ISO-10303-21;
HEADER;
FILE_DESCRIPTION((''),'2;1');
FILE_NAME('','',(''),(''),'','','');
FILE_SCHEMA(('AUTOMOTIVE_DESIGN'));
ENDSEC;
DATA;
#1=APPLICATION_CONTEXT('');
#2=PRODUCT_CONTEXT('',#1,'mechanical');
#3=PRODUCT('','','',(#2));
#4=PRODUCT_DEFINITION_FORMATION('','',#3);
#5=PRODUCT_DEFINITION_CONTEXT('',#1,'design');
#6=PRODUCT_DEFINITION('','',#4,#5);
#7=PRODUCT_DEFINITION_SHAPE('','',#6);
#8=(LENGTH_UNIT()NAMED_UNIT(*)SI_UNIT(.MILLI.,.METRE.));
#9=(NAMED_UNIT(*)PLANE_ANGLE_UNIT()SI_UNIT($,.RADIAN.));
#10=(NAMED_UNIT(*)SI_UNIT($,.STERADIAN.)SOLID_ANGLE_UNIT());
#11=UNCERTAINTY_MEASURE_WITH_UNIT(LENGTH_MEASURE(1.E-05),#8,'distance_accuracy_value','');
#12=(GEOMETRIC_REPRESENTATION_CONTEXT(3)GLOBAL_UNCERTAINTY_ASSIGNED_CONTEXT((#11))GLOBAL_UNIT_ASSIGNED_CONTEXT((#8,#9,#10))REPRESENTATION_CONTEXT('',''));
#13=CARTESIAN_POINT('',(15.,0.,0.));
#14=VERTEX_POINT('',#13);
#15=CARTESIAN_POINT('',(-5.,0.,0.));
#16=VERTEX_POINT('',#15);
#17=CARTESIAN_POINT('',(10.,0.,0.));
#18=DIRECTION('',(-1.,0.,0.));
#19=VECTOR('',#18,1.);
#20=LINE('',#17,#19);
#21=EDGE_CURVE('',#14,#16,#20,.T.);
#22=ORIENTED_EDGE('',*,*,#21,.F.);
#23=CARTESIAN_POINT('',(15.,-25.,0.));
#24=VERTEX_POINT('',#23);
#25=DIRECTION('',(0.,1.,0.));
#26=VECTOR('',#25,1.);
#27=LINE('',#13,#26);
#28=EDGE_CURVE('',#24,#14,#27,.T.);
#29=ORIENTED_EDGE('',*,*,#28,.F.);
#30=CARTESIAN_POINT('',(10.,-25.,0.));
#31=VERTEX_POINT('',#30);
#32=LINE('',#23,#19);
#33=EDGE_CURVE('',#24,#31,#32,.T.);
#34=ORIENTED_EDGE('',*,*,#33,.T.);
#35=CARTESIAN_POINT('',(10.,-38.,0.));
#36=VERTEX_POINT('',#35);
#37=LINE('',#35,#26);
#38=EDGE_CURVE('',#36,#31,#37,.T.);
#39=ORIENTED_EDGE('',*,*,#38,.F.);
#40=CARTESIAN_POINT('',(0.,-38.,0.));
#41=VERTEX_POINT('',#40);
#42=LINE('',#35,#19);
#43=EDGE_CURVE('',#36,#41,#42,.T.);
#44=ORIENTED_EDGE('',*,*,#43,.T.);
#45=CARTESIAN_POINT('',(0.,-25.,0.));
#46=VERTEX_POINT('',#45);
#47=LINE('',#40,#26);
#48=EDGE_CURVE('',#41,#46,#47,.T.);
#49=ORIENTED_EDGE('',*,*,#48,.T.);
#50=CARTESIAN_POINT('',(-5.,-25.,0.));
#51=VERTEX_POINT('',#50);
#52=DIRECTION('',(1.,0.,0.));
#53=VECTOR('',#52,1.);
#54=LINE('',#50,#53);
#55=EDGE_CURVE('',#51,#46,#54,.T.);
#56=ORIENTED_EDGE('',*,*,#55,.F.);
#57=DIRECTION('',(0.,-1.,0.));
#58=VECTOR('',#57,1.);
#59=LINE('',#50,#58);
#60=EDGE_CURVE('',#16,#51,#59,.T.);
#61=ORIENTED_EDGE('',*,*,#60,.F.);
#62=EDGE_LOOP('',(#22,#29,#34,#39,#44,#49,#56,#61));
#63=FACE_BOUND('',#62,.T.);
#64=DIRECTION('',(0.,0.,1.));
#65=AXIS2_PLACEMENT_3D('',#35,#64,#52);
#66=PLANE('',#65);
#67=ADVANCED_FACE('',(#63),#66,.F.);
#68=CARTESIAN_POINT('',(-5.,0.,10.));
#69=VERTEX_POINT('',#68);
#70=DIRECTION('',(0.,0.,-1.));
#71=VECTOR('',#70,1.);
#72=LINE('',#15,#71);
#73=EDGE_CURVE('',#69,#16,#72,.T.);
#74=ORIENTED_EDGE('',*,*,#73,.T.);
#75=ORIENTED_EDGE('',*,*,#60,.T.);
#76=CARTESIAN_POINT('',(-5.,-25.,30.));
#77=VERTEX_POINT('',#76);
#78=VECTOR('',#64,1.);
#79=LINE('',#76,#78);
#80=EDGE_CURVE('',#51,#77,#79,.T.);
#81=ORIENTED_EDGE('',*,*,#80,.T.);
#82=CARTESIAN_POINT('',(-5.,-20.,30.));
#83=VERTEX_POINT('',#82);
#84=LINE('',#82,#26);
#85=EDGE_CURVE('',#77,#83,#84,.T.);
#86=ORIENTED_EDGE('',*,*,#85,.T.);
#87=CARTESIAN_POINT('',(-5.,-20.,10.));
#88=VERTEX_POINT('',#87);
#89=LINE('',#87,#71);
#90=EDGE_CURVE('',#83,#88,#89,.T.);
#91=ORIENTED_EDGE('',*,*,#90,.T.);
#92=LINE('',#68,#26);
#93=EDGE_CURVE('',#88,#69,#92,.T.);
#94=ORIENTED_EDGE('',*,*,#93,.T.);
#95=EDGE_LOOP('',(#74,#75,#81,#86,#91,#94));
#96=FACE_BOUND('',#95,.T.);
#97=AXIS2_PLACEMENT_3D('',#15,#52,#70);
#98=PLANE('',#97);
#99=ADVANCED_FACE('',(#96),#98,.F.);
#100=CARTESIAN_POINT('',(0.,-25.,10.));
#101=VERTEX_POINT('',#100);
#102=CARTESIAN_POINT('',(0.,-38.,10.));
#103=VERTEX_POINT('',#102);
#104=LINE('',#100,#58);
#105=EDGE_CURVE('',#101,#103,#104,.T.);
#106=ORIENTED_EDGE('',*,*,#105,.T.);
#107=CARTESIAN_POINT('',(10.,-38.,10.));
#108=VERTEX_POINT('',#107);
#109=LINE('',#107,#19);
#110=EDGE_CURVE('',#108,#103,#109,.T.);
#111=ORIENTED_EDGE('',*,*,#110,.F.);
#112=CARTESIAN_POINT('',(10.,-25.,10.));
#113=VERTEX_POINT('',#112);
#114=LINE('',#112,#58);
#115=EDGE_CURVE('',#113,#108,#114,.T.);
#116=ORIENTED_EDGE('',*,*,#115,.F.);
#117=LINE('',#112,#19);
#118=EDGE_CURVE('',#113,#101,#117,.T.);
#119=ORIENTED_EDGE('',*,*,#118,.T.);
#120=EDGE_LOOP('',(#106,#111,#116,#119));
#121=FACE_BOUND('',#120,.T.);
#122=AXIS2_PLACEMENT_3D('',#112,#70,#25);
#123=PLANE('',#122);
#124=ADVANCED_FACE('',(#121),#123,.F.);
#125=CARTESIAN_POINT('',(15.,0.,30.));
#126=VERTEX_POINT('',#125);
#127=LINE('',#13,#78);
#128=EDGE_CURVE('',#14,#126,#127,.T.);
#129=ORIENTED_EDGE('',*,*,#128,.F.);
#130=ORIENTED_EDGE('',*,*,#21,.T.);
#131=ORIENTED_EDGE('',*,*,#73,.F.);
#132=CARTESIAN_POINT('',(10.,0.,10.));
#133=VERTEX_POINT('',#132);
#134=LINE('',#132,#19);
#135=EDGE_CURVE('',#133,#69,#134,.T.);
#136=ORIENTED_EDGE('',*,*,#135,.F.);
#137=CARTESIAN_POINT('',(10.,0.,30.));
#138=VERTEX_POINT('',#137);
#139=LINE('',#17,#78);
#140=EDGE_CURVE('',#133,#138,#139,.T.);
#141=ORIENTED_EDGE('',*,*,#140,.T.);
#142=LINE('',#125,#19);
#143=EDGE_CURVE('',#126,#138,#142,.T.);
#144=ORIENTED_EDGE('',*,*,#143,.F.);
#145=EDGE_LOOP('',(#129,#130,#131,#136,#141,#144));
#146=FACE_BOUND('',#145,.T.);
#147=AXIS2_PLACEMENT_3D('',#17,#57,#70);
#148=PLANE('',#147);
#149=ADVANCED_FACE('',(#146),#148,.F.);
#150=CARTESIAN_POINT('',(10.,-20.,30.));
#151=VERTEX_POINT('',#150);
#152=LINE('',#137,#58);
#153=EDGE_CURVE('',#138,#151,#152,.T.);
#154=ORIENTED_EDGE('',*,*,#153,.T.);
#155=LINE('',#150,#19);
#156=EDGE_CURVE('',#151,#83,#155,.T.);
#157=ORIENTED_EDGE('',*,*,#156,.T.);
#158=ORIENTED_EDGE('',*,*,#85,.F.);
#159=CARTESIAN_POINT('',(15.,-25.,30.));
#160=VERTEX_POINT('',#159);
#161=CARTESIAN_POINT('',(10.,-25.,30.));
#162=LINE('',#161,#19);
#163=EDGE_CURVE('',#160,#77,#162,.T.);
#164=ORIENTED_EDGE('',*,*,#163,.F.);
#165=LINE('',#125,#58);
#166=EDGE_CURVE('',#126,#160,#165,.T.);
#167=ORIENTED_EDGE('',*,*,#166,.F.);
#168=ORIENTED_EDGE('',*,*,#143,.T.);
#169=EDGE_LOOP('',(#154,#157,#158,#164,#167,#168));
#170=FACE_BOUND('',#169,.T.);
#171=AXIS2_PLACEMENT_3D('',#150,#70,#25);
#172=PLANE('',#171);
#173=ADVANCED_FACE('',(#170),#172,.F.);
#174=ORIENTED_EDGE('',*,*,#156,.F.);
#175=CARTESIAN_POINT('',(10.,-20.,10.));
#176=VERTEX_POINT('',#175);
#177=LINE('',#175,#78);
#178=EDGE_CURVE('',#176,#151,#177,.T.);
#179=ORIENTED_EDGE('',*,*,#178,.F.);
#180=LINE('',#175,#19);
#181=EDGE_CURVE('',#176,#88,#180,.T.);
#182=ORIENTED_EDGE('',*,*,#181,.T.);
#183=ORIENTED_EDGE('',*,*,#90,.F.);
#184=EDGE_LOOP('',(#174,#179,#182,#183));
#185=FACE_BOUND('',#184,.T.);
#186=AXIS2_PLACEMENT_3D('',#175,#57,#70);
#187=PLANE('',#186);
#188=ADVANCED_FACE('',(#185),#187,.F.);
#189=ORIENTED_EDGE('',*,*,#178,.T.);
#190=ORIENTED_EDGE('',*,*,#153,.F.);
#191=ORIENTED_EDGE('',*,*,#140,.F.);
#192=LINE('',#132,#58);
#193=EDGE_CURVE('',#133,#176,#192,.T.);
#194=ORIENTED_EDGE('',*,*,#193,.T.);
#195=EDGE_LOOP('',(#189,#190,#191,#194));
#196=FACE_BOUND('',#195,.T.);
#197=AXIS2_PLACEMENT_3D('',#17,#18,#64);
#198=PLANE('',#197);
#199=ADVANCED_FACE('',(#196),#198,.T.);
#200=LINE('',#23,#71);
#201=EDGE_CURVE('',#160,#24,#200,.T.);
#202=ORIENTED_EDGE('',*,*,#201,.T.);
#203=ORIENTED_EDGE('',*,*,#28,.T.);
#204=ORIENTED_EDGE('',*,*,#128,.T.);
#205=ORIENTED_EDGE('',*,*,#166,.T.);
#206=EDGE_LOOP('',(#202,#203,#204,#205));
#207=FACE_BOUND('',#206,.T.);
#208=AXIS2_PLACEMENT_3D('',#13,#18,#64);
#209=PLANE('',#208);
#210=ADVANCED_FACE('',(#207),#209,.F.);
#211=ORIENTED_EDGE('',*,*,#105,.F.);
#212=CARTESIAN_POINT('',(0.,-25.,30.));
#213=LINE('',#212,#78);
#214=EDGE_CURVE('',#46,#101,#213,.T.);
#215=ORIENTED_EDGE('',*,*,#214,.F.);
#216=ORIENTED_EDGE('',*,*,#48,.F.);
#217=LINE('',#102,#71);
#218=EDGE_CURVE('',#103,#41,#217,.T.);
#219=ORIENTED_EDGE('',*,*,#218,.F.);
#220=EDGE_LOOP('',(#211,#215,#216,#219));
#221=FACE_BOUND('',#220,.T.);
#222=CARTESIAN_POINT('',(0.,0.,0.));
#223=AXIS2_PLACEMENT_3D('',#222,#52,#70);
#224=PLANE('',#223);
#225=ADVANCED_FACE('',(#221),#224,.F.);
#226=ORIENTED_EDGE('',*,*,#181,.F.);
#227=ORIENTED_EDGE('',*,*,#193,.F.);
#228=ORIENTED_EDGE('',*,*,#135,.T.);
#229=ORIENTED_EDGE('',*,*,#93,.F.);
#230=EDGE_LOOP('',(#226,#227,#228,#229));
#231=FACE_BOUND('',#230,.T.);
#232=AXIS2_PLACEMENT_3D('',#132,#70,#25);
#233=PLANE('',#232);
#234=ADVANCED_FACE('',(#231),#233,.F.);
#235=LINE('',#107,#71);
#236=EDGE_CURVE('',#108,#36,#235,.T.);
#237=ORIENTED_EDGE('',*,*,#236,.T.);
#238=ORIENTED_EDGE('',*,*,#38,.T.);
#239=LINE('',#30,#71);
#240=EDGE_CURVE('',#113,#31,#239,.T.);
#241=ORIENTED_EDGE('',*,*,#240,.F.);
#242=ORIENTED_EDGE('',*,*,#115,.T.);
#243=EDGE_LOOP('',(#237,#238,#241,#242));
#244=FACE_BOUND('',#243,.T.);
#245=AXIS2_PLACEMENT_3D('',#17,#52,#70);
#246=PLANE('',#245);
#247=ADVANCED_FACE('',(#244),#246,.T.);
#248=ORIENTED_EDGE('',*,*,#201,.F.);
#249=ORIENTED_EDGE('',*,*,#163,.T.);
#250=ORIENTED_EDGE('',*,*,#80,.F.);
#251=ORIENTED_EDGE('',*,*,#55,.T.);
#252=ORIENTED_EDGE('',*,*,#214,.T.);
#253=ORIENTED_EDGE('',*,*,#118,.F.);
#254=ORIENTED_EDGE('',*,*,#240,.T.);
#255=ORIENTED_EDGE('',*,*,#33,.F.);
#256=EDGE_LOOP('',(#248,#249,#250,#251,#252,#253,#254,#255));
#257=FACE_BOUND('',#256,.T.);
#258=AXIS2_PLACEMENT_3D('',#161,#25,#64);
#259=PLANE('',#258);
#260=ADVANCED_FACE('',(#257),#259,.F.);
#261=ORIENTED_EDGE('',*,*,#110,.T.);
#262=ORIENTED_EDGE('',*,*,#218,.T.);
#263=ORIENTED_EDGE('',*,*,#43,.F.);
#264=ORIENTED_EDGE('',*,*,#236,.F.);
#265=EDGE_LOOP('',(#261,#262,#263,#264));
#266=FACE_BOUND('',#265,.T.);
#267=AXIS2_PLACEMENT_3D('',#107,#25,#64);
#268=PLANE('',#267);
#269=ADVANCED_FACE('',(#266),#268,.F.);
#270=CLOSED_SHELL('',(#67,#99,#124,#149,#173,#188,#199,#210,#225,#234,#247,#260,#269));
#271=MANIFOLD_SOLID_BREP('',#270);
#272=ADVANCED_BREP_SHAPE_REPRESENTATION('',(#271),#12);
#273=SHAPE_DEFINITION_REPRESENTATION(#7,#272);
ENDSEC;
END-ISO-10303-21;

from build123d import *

# Parameters (mm, degrees)
BOSS_EXTRUDE1_DEPTH = 10
BOSS_EXTRUDE5_DEPTH = 5
SKETCH3_W           = 30
SKETCH3_H           = 25
BOSS_EXTRUDE6_DEPTH = 5


with BuildPart() as part:
    # Sketch1 → Boss-Extrude1 (new body)
    with BuildSketch(Plane(origin=(0, 0, 0), x_dir=(0, 0, -1), z_dir=(1, 0, 0))):
        Polygon((0, 0), (-10, 0), (-10, -20), (-30, -20), (-30, -25), (-10, -25), (-10, -38), (0, -38), align=None)
    extrude(amount=BOSS_EXTRUDE1_DEPTH)

    # Sketch2 → Boss-Extrude5 (add)
    with BuildSketch(Plane.ZY):
        Polygon((0, 0), (10, 0), (10, -20), (30, -20), (30, -25), (0, -25), align=None)
    extrude(amount=BOSS_EXTRUDE5_DEPTH)

    # Sketch3 → Boss-Extrude6 (add)
    with BuildSketch(Plane(origin=(10, 0, 0), x_dir=(0, 0, -1), z_dir=(1, 0, 0))):
        with Locations((-15, -12.5)):
            Rectangle(SKETCH3_W, SKETCH3_H)
    extrude(amount=BOSS_EXTRUDE6_DEPTH)


solid = part.part
